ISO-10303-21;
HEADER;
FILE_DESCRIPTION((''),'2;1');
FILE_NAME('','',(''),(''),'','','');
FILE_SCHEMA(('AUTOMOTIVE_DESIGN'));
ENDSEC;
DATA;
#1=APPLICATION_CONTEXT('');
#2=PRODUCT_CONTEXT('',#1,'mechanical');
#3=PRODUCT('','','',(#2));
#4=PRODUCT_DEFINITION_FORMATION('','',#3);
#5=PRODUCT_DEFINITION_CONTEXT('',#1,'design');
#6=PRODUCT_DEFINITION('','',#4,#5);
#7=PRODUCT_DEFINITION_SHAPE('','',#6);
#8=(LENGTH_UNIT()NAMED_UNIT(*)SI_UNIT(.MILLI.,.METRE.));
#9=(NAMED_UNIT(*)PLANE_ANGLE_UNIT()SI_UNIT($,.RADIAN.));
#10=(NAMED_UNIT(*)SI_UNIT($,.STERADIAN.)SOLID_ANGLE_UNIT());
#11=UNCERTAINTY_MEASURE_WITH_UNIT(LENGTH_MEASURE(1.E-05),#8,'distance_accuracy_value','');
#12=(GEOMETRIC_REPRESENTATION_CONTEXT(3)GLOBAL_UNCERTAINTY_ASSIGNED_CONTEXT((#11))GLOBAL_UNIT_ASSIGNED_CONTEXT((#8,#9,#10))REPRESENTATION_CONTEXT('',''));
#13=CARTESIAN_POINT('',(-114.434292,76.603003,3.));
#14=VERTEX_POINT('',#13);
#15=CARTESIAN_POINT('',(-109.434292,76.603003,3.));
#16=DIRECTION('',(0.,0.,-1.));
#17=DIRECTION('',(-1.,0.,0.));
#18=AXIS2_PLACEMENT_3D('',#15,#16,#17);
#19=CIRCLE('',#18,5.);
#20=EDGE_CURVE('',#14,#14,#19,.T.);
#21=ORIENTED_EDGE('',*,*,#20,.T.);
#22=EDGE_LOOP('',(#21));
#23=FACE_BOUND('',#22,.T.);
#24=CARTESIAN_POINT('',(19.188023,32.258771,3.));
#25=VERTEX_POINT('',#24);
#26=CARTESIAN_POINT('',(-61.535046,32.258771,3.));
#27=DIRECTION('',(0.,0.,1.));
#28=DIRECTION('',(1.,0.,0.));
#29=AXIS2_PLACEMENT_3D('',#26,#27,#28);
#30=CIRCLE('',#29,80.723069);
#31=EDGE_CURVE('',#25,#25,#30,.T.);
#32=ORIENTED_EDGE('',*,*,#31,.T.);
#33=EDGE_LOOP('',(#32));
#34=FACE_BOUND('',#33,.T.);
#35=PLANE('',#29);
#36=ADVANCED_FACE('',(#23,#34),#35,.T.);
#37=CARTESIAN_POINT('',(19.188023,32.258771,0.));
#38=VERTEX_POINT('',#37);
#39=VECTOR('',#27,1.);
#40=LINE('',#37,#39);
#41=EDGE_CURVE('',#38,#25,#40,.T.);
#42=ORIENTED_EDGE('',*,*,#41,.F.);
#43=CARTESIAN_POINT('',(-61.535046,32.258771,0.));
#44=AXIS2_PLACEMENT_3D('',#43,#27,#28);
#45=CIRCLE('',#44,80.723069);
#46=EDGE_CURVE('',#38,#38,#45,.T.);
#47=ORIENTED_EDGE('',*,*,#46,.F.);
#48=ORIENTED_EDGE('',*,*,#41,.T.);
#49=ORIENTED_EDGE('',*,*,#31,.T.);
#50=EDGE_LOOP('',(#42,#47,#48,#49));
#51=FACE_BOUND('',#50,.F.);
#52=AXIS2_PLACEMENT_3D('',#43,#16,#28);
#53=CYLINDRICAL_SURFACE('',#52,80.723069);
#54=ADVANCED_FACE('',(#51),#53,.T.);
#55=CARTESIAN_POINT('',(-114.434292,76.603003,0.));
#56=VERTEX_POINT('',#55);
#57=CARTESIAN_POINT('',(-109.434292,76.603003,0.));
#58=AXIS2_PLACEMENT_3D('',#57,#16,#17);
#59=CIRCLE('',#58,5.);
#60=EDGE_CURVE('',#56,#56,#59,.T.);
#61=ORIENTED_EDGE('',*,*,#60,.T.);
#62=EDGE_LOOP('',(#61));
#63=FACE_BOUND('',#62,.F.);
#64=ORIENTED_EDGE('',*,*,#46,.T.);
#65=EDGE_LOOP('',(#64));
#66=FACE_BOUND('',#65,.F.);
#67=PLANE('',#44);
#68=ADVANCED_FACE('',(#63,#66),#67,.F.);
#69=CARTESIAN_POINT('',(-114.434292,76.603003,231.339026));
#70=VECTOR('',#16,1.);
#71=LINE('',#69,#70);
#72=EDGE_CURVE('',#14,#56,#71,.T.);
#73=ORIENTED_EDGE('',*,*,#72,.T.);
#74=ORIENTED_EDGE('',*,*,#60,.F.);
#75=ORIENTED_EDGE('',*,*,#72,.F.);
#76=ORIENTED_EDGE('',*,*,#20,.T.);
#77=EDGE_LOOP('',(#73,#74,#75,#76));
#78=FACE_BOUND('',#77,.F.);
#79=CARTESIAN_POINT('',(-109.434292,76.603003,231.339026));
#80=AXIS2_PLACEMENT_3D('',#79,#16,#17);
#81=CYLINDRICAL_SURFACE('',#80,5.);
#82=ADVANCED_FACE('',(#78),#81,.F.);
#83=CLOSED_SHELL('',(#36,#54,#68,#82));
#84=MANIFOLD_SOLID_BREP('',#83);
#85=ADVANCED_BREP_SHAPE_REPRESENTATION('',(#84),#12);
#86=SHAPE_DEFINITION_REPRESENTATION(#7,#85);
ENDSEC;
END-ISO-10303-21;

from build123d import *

# Parameters (mm, degrees)
F0_R     = 80.723069
F1_DEPTH = 3
F2_R     = 3
F3_DEPTH = 3
F5_D     = 10


with BuildPart() as f1:
    # F0 (on Top) → F1 (new body)
    with BuildSketch(Plane.XY):
        with Locations((-61.535046, 32.258771)):
            Circle(F0_R)
    extrude(amount=F1_DEPTH)

    # F2 (on face) → F3 (join)
    with BuildSketch(Plane.XY.offset(3)):
        with Locations((-128.833771, 47.312688)):
            Circle(F2_R)
    extrude(amount=-F3_DEPTH)

    # F5 (through all)
    with Locations(Plane.XY.offset(3)):
        with Locations((-109.434292, 76.603003)):
            Hole(F5_D / 2)


solid = f1.part
